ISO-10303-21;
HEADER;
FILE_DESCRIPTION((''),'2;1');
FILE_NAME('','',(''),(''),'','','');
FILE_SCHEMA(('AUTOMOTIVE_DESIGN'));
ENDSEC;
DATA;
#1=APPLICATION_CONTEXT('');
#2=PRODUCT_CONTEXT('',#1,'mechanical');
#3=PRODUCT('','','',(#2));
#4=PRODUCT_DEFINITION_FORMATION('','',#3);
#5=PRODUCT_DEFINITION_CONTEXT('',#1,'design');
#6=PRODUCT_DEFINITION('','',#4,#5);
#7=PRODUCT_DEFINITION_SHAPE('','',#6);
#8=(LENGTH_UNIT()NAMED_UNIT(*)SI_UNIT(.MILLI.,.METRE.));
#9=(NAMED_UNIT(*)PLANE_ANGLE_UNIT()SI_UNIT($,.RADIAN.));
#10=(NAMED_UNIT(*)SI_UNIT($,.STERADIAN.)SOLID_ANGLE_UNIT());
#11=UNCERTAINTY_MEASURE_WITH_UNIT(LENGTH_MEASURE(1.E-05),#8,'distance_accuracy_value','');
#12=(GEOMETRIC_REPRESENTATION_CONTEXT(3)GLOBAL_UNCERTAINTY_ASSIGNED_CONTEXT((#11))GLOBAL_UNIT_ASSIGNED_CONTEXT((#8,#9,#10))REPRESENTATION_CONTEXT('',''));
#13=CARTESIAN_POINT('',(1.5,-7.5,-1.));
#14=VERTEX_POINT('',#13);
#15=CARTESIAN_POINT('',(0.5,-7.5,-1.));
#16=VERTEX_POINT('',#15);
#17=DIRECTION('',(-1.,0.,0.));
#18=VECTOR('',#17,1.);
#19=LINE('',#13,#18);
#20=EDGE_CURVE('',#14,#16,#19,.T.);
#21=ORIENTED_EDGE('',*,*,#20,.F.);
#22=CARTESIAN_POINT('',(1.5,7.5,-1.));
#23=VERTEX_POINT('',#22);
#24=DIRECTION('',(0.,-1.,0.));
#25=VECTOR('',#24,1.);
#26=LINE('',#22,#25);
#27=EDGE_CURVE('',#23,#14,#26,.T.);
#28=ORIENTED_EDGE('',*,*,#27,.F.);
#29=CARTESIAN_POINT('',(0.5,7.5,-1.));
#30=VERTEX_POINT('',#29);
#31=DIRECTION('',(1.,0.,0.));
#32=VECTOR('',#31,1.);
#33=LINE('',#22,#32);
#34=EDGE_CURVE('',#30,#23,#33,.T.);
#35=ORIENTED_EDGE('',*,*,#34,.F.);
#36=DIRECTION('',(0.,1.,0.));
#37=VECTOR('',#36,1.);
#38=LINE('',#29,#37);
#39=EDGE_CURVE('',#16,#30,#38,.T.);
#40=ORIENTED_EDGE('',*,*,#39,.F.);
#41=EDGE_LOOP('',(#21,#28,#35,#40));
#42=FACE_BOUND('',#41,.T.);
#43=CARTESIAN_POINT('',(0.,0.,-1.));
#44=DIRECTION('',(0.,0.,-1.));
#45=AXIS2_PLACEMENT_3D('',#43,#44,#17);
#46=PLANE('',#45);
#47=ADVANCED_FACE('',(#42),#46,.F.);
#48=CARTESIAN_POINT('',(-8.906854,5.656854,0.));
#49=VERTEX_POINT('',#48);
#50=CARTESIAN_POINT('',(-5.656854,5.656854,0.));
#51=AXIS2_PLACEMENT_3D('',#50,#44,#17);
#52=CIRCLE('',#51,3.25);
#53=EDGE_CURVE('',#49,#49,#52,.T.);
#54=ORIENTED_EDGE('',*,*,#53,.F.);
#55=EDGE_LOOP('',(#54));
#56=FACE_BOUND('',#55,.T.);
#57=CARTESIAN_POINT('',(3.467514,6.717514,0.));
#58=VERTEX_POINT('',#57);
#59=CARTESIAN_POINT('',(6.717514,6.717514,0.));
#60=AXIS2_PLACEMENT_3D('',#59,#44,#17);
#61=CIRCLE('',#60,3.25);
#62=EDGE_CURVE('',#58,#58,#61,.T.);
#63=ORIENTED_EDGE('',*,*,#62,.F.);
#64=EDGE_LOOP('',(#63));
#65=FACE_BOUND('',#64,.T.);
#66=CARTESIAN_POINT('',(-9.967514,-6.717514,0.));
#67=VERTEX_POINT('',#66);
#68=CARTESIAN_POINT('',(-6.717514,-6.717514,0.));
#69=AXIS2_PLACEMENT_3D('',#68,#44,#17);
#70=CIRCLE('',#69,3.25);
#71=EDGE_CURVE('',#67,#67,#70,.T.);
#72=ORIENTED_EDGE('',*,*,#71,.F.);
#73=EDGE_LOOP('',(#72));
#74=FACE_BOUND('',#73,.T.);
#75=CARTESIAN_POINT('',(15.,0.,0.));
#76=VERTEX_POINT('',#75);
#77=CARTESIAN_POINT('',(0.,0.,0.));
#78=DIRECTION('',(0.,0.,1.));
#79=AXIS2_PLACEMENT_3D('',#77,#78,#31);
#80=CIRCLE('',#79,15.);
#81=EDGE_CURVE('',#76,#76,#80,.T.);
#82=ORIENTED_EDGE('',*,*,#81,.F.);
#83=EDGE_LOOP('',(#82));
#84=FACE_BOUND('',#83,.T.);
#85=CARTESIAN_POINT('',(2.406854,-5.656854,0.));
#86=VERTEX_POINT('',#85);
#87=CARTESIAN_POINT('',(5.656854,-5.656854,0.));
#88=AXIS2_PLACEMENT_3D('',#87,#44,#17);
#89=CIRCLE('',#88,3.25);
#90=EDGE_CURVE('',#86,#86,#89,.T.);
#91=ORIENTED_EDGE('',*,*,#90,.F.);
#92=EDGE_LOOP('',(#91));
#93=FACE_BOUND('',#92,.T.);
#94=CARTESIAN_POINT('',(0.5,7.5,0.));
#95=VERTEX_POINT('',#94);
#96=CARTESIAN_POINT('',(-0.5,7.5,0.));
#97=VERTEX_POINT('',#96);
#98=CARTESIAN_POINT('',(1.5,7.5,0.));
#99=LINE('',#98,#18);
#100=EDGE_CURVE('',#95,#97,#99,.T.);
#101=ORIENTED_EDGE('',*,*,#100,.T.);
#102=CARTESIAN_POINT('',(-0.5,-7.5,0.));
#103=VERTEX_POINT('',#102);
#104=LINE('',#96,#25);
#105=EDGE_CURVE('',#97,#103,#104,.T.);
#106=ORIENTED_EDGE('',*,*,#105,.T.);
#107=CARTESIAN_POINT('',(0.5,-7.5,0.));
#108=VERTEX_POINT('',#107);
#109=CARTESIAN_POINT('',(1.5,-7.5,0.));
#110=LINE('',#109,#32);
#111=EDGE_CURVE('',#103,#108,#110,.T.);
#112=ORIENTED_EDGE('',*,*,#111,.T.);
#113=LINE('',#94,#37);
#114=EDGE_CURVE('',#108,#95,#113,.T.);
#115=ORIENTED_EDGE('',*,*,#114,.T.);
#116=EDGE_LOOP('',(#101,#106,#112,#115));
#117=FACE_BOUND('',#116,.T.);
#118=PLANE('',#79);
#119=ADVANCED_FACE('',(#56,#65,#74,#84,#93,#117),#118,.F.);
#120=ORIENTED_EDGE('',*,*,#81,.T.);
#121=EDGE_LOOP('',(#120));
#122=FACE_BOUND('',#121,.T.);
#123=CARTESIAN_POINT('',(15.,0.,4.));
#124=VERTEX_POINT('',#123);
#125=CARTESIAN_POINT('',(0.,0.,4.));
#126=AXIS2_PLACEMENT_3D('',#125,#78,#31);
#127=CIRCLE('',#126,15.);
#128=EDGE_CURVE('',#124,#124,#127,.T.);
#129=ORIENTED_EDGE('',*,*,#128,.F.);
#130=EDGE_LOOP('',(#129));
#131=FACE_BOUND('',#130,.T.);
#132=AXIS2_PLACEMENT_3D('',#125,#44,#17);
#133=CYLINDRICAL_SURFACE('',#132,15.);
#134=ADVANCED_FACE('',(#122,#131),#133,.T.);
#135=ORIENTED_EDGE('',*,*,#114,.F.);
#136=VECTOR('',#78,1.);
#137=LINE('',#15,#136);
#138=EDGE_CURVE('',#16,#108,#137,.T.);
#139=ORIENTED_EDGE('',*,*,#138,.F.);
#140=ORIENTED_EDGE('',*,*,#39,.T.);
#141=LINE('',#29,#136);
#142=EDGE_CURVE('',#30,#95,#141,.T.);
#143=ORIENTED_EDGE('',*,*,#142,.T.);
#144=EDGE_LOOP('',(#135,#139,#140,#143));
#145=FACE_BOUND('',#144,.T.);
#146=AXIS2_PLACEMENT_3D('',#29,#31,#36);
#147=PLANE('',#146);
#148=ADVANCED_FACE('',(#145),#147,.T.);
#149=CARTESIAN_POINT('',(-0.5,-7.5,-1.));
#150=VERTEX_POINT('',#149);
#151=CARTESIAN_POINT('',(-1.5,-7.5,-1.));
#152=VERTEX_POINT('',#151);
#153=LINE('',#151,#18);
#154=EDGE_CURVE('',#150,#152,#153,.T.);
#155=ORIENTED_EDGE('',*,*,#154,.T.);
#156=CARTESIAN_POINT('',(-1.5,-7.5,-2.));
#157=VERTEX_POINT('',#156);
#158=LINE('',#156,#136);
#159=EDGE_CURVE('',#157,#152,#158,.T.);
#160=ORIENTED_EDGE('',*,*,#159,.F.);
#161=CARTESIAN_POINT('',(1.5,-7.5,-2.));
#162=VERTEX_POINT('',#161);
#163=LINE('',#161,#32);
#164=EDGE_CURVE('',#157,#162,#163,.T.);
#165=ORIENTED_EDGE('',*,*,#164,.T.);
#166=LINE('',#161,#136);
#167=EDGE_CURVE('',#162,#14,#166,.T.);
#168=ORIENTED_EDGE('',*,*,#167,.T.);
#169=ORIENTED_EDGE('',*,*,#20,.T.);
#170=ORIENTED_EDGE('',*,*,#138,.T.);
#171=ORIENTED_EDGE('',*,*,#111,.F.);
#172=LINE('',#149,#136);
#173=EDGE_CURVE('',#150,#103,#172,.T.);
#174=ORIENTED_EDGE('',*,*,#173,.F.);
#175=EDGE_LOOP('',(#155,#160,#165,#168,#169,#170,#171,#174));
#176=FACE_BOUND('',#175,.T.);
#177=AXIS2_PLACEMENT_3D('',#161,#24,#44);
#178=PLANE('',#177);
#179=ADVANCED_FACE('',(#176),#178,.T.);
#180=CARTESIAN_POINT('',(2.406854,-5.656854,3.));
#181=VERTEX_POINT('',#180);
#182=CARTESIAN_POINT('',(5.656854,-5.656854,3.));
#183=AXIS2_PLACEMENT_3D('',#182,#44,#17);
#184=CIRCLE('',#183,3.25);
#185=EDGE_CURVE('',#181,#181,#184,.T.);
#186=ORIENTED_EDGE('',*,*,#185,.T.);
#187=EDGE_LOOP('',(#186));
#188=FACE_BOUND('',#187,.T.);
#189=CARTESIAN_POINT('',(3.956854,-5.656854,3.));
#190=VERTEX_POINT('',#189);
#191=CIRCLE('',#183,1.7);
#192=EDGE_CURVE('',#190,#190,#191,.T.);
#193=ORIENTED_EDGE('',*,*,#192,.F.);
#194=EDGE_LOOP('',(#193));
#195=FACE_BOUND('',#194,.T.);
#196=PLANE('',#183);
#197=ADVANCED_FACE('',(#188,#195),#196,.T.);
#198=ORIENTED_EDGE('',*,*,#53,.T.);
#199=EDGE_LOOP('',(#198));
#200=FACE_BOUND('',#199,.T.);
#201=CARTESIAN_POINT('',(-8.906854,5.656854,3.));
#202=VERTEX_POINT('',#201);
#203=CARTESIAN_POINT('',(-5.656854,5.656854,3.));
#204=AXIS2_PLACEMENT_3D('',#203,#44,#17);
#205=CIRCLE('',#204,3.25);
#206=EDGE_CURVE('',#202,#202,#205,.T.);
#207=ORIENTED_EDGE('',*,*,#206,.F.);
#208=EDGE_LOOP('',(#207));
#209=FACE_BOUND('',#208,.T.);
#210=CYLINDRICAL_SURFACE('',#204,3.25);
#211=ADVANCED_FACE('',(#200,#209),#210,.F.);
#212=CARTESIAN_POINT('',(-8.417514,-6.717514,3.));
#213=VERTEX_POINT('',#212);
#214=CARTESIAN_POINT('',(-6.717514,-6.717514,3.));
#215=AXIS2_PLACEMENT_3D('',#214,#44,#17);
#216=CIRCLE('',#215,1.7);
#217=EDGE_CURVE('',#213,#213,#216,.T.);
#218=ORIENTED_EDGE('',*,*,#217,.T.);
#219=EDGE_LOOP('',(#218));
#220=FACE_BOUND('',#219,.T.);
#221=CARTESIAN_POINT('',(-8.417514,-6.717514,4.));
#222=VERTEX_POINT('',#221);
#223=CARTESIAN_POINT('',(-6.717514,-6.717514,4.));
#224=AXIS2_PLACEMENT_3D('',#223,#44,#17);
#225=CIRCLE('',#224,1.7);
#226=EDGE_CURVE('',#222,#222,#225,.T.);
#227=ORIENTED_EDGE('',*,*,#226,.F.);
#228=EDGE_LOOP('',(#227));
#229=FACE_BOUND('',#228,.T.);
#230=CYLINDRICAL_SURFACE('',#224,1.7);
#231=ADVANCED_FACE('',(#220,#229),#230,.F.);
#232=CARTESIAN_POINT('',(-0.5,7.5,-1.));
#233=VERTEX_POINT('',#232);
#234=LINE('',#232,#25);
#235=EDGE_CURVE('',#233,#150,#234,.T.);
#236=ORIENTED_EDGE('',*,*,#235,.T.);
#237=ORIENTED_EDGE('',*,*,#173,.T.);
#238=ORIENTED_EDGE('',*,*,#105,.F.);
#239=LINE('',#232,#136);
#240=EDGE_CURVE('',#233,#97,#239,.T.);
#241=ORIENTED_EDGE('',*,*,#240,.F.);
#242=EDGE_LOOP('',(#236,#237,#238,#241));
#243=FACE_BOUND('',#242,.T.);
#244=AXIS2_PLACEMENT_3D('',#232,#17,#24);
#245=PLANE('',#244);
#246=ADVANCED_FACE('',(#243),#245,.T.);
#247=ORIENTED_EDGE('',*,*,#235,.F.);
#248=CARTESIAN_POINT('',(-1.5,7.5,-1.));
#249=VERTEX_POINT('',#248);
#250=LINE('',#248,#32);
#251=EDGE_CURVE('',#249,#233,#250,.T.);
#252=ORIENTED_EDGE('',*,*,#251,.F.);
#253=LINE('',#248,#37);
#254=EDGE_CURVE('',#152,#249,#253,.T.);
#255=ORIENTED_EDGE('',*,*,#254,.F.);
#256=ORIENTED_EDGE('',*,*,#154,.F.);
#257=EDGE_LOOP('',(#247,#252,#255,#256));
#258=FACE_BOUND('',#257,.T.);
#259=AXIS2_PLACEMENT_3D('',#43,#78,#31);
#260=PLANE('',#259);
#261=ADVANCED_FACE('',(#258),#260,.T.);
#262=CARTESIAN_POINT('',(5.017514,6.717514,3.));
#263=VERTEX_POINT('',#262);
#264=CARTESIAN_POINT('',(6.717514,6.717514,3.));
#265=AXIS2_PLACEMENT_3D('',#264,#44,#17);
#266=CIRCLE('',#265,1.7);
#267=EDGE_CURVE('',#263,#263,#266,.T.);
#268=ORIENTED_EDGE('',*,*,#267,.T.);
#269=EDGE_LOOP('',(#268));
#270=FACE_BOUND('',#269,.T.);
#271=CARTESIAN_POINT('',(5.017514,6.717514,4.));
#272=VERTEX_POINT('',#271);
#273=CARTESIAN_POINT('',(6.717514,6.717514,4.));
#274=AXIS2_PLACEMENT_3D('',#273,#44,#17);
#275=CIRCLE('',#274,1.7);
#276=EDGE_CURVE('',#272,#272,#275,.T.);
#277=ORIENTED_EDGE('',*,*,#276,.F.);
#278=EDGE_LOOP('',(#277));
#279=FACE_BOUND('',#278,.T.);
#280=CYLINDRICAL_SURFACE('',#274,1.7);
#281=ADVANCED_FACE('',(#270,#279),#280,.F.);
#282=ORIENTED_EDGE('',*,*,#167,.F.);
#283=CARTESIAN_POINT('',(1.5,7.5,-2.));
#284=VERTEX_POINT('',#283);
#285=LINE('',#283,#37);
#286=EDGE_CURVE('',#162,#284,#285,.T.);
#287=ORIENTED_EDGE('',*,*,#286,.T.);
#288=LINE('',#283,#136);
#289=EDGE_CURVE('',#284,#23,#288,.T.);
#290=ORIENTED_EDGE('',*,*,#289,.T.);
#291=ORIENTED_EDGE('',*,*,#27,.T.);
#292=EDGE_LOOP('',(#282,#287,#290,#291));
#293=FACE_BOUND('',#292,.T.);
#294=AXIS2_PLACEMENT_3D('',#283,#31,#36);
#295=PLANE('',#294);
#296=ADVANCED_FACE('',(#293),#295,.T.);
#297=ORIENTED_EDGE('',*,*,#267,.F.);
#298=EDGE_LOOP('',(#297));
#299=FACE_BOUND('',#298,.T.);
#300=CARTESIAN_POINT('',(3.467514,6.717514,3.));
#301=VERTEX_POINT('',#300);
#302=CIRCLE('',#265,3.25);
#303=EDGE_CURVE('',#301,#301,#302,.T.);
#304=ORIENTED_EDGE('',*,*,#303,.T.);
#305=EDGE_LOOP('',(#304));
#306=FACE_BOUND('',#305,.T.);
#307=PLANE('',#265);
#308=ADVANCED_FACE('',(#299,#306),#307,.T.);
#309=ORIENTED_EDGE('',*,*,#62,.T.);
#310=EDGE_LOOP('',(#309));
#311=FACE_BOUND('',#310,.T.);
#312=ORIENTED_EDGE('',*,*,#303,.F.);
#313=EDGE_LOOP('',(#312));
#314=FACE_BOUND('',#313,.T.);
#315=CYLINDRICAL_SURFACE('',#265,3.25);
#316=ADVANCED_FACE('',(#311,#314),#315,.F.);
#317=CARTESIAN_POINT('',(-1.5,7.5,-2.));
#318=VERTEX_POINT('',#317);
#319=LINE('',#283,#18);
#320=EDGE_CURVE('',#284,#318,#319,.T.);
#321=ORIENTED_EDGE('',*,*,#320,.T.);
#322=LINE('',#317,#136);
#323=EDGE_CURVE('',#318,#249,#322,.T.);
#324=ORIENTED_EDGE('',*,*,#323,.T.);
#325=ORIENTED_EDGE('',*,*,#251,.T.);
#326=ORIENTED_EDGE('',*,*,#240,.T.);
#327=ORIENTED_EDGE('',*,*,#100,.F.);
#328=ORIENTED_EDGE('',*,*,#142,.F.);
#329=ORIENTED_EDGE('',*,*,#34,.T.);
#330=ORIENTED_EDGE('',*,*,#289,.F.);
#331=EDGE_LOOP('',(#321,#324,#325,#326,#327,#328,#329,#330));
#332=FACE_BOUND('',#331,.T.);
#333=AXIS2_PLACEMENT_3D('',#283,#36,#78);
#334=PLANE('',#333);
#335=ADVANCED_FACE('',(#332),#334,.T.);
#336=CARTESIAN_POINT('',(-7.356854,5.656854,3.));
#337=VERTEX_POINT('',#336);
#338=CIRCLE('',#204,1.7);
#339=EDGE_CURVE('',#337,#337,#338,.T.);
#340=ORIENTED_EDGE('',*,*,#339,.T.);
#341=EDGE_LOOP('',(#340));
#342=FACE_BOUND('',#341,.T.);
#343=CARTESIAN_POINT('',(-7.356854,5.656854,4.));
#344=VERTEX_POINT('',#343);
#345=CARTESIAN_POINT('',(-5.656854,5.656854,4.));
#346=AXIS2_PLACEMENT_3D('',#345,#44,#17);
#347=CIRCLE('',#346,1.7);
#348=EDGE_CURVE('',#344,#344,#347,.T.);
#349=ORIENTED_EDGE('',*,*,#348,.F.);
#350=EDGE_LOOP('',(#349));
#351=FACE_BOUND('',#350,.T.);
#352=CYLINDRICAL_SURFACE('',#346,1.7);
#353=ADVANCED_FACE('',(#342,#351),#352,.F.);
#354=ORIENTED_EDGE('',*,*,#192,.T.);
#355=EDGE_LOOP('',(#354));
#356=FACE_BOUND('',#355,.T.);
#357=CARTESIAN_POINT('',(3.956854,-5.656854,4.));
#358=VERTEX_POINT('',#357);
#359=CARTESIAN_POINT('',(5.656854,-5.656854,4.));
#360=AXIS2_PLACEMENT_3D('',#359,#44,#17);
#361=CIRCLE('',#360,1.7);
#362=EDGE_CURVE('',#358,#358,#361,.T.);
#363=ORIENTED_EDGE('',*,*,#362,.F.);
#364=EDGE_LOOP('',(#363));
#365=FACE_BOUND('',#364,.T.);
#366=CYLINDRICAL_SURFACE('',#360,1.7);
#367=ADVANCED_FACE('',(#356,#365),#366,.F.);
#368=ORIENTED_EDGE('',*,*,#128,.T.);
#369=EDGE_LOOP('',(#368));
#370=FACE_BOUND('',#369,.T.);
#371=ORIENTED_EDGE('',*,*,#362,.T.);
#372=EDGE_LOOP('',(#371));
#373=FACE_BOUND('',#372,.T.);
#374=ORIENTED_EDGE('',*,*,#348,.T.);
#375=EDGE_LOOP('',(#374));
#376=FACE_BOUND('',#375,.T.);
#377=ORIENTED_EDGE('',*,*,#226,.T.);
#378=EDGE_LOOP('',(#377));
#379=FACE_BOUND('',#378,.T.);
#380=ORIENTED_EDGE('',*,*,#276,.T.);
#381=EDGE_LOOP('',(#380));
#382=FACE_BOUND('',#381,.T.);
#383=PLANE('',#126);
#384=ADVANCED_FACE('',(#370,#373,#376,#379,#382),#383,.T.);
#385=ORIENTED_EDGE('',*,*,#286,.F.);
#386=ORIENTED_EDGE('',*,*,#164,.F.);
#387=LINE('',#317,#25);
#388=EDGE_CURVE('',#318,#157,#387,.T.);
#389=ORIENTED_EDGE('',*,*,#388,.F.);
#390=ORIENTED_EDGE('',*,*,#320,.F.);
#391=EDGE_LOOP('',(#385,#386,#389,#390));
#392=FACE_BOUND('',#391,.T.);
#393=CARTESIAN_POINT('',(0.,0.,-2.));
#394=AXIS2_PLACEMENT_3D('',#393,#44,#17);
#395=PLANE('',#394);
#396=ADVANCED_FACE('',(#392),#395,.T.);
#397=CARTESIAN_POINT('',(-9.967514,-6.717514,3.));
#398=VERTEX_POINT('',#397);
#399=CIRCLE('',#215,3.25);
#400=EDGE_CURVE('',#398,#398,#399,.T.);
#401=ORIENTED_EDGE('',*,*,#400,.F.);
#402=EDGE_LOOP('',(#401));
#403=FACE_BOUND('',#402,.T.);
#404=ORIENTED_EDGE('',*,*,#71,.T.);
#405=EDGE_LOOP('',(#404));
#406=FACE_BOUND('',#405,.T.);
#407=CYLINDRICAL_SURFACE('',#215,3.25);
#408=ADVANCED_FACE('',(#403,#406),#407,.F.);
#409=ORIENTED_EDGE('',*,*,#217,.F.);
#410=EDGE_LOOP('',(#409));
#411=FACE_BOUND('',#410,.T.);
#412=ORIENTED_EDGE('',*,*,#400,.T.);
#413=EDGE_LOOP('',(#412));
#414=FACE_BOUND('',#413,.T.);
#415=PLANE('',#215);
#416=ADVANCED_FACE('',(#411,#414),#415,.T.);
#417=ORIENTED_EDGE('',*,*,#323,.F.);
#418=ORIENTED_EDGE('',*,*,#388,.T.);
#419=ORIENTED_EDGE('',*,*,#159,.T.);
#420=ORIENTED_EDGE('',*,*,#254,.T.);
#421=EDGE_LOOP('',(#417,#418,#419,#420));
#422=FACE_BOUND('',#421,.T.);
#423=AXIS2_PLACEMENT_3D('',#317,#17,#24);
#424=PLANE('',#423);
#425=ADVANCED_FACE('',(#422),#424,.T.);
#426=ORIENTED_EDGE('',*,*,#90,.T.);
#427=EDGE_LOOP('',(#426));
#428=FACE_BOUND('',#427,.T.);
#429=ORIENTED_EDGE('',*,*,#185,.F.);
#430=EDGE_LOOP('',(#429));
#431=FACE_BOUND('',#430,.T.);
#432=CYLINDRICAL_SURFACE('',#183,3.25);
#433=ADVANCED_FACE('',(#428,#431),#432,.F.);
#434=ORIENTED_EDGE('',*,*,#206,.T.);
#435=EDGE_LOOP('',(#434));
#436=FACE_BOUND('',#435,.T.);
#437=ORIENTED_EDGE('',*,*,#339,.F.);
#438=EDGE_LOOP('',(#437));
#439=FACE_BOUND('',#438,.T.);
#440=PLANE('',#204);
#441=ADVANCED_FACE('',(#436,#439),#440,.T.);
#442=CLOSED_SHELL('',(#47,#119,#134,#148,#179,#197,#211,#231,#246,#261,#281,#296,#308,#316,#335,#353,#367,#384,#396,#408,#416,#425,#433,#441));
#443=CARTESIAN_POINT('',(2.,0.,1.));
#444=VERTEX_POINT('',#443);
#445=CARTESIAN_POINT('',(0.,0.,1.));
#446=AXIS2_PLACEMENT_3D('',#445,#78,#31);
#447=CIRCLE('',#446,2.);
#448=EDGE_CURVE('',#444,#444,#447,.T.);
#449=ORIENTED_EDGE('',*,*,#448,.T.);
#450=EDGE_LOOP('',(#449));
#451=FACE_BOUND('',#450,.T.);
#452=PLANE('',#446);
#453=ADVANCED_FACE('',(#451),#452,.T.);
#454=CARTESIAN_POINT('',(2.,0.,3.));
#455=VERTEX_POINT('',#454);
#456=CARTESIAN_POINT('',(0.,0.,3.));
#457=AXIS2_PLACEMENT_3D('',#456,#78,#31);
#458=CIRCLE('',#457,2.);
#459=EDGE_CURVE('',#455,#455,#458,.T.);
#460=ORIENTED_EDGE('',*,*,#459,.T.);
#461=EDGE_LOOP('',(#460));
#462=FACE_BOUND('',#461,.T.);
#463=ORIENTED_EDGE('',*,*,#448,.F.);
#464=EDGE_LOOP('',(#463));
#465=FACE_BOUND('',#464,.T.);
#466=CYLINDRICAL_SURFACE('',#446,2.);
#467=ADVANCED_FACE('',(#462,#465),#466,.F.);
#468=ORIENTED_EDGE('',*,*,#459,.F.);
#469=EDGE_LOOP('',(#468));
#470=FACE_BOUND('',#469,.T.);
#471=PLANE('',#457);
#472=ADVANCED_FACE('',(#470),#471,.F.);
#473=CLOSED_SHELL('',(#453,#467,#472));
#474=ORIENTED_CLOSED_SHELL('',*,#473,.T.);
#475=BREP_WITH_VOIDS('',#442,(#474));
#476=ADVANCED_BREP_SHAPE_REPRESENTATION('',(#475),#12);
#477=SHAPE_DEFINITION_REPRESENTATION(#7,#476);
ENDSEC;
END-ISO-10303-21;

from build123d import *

# Parameters (mm, degrees)
SKETCH1_R           = 15
BOSS_EXTRUDE1_DEPTH = 4
SKETCH2_R           = 3.25
CUT_EXTRUDE1_DEPTH  = 3
SKETCH3_R           = 1.7
CUT_EXTRUDE2_DEPTH  = 22.587033145
SKETCH4_R           = 2
CUT_EXTRUDE3_DEPTH  = 2
SKETCH5_W           = 3
SKETCH5_H           = 15
BOSS_EXTRUDE2_DEPTH = 2
SKETCH7_W           = 1
SKETCH7_H           = 15
CUT_EXTRUDE4_DEPTH  = 1


with BuildPart() as part:
    # Sketch1 → Boss-Extrude1 (new body)
    with BuildSketch(Plane.XY):
        Circle(SKETCH1_R)
    extrude(amount=BOSS_EXTRUDE1_DEPTH)

    # Sketch2 → Cut-Extrude1 (cut)
    with BuildSketch(Plane(origin=(0, 0, 0), x_dir=(-1, 0, 0), z_dir=(0, 0, -1))):
        with Locations((-6.717514421, 6.717514421)):
            Circle(SKETCH2_R)
        with Locations((6.717514421, -6.717514421)):
            Circle(SKETCH2_R)
        with Locations((-5.656854249, -5.656854249)):
            Circle(SKETCH2_R)
        with Locations((5.656854249, 5.656854249)):
            Circle(SKETCH2_R)
    extrude(amount=-CUT_EXTRUDE1_DEPTH, mode=Mode.SUBTRACT)

    # Sketch3 → Cut-Extrude2 (cut, through all)
    with BuildSketch(Plane(origin=(0, 0, 0), x_dir=(-1, 0, 0), z_dir=(0, 0, -1))):
        with Locations((-6.717514421, 6.717514421)):
            Circle(SKETCH3_R)
        with Locations((5.656854249, 5.656854249)):
            Circle(SKETCH3_R)
        with Locations((6.717514421, -6.717514421)):
            Circle(SKETCH3_R)
        with Locations((-5.656854249, -5.656854249)):
            Circle(SKETCH3_R)
    extrude(amount=-CUT_EXTRUDE2_DEPTH, mode=Mode.SUBTRACT)

    # Sketch4 → Cut-Extrude3 (cut)
    with BuildSketch(Plane.XY.offset(3)):
        Circle(SKETCH4_R)
    extrude(amount=-CUT_EXTRUDE3_DEPTH, mode=Mode.SUBTRACT)

    # Sketch5 → Boss-Extrude2 (add)
    with BuildSketch(Plane.XY):
        Rectangle(SKETCH5_W, SKETCH5_H)
    extrude(amount=-BOSS_EXTRUDE2_DEPTH)

    # Sketch7 → Cut-Extrude4 (cut)
    with BuildSketch(Plane(origin=(0, 0, 0), x_dir=(-1, 0, 0), z_dir=(0, 0, -1))):
        with Locations((-1, 0)):
            Rectangle(SKETCH7_W, SKETCH7_H)
        with Locations((1, 0)):
            Rectangle(SKETCH7_W, SKETCH7_H)
    extrude(amount=CUT_EXTRUDE4_DEPTH, mode=Mode.SUBTRACT)


solid = part.part
